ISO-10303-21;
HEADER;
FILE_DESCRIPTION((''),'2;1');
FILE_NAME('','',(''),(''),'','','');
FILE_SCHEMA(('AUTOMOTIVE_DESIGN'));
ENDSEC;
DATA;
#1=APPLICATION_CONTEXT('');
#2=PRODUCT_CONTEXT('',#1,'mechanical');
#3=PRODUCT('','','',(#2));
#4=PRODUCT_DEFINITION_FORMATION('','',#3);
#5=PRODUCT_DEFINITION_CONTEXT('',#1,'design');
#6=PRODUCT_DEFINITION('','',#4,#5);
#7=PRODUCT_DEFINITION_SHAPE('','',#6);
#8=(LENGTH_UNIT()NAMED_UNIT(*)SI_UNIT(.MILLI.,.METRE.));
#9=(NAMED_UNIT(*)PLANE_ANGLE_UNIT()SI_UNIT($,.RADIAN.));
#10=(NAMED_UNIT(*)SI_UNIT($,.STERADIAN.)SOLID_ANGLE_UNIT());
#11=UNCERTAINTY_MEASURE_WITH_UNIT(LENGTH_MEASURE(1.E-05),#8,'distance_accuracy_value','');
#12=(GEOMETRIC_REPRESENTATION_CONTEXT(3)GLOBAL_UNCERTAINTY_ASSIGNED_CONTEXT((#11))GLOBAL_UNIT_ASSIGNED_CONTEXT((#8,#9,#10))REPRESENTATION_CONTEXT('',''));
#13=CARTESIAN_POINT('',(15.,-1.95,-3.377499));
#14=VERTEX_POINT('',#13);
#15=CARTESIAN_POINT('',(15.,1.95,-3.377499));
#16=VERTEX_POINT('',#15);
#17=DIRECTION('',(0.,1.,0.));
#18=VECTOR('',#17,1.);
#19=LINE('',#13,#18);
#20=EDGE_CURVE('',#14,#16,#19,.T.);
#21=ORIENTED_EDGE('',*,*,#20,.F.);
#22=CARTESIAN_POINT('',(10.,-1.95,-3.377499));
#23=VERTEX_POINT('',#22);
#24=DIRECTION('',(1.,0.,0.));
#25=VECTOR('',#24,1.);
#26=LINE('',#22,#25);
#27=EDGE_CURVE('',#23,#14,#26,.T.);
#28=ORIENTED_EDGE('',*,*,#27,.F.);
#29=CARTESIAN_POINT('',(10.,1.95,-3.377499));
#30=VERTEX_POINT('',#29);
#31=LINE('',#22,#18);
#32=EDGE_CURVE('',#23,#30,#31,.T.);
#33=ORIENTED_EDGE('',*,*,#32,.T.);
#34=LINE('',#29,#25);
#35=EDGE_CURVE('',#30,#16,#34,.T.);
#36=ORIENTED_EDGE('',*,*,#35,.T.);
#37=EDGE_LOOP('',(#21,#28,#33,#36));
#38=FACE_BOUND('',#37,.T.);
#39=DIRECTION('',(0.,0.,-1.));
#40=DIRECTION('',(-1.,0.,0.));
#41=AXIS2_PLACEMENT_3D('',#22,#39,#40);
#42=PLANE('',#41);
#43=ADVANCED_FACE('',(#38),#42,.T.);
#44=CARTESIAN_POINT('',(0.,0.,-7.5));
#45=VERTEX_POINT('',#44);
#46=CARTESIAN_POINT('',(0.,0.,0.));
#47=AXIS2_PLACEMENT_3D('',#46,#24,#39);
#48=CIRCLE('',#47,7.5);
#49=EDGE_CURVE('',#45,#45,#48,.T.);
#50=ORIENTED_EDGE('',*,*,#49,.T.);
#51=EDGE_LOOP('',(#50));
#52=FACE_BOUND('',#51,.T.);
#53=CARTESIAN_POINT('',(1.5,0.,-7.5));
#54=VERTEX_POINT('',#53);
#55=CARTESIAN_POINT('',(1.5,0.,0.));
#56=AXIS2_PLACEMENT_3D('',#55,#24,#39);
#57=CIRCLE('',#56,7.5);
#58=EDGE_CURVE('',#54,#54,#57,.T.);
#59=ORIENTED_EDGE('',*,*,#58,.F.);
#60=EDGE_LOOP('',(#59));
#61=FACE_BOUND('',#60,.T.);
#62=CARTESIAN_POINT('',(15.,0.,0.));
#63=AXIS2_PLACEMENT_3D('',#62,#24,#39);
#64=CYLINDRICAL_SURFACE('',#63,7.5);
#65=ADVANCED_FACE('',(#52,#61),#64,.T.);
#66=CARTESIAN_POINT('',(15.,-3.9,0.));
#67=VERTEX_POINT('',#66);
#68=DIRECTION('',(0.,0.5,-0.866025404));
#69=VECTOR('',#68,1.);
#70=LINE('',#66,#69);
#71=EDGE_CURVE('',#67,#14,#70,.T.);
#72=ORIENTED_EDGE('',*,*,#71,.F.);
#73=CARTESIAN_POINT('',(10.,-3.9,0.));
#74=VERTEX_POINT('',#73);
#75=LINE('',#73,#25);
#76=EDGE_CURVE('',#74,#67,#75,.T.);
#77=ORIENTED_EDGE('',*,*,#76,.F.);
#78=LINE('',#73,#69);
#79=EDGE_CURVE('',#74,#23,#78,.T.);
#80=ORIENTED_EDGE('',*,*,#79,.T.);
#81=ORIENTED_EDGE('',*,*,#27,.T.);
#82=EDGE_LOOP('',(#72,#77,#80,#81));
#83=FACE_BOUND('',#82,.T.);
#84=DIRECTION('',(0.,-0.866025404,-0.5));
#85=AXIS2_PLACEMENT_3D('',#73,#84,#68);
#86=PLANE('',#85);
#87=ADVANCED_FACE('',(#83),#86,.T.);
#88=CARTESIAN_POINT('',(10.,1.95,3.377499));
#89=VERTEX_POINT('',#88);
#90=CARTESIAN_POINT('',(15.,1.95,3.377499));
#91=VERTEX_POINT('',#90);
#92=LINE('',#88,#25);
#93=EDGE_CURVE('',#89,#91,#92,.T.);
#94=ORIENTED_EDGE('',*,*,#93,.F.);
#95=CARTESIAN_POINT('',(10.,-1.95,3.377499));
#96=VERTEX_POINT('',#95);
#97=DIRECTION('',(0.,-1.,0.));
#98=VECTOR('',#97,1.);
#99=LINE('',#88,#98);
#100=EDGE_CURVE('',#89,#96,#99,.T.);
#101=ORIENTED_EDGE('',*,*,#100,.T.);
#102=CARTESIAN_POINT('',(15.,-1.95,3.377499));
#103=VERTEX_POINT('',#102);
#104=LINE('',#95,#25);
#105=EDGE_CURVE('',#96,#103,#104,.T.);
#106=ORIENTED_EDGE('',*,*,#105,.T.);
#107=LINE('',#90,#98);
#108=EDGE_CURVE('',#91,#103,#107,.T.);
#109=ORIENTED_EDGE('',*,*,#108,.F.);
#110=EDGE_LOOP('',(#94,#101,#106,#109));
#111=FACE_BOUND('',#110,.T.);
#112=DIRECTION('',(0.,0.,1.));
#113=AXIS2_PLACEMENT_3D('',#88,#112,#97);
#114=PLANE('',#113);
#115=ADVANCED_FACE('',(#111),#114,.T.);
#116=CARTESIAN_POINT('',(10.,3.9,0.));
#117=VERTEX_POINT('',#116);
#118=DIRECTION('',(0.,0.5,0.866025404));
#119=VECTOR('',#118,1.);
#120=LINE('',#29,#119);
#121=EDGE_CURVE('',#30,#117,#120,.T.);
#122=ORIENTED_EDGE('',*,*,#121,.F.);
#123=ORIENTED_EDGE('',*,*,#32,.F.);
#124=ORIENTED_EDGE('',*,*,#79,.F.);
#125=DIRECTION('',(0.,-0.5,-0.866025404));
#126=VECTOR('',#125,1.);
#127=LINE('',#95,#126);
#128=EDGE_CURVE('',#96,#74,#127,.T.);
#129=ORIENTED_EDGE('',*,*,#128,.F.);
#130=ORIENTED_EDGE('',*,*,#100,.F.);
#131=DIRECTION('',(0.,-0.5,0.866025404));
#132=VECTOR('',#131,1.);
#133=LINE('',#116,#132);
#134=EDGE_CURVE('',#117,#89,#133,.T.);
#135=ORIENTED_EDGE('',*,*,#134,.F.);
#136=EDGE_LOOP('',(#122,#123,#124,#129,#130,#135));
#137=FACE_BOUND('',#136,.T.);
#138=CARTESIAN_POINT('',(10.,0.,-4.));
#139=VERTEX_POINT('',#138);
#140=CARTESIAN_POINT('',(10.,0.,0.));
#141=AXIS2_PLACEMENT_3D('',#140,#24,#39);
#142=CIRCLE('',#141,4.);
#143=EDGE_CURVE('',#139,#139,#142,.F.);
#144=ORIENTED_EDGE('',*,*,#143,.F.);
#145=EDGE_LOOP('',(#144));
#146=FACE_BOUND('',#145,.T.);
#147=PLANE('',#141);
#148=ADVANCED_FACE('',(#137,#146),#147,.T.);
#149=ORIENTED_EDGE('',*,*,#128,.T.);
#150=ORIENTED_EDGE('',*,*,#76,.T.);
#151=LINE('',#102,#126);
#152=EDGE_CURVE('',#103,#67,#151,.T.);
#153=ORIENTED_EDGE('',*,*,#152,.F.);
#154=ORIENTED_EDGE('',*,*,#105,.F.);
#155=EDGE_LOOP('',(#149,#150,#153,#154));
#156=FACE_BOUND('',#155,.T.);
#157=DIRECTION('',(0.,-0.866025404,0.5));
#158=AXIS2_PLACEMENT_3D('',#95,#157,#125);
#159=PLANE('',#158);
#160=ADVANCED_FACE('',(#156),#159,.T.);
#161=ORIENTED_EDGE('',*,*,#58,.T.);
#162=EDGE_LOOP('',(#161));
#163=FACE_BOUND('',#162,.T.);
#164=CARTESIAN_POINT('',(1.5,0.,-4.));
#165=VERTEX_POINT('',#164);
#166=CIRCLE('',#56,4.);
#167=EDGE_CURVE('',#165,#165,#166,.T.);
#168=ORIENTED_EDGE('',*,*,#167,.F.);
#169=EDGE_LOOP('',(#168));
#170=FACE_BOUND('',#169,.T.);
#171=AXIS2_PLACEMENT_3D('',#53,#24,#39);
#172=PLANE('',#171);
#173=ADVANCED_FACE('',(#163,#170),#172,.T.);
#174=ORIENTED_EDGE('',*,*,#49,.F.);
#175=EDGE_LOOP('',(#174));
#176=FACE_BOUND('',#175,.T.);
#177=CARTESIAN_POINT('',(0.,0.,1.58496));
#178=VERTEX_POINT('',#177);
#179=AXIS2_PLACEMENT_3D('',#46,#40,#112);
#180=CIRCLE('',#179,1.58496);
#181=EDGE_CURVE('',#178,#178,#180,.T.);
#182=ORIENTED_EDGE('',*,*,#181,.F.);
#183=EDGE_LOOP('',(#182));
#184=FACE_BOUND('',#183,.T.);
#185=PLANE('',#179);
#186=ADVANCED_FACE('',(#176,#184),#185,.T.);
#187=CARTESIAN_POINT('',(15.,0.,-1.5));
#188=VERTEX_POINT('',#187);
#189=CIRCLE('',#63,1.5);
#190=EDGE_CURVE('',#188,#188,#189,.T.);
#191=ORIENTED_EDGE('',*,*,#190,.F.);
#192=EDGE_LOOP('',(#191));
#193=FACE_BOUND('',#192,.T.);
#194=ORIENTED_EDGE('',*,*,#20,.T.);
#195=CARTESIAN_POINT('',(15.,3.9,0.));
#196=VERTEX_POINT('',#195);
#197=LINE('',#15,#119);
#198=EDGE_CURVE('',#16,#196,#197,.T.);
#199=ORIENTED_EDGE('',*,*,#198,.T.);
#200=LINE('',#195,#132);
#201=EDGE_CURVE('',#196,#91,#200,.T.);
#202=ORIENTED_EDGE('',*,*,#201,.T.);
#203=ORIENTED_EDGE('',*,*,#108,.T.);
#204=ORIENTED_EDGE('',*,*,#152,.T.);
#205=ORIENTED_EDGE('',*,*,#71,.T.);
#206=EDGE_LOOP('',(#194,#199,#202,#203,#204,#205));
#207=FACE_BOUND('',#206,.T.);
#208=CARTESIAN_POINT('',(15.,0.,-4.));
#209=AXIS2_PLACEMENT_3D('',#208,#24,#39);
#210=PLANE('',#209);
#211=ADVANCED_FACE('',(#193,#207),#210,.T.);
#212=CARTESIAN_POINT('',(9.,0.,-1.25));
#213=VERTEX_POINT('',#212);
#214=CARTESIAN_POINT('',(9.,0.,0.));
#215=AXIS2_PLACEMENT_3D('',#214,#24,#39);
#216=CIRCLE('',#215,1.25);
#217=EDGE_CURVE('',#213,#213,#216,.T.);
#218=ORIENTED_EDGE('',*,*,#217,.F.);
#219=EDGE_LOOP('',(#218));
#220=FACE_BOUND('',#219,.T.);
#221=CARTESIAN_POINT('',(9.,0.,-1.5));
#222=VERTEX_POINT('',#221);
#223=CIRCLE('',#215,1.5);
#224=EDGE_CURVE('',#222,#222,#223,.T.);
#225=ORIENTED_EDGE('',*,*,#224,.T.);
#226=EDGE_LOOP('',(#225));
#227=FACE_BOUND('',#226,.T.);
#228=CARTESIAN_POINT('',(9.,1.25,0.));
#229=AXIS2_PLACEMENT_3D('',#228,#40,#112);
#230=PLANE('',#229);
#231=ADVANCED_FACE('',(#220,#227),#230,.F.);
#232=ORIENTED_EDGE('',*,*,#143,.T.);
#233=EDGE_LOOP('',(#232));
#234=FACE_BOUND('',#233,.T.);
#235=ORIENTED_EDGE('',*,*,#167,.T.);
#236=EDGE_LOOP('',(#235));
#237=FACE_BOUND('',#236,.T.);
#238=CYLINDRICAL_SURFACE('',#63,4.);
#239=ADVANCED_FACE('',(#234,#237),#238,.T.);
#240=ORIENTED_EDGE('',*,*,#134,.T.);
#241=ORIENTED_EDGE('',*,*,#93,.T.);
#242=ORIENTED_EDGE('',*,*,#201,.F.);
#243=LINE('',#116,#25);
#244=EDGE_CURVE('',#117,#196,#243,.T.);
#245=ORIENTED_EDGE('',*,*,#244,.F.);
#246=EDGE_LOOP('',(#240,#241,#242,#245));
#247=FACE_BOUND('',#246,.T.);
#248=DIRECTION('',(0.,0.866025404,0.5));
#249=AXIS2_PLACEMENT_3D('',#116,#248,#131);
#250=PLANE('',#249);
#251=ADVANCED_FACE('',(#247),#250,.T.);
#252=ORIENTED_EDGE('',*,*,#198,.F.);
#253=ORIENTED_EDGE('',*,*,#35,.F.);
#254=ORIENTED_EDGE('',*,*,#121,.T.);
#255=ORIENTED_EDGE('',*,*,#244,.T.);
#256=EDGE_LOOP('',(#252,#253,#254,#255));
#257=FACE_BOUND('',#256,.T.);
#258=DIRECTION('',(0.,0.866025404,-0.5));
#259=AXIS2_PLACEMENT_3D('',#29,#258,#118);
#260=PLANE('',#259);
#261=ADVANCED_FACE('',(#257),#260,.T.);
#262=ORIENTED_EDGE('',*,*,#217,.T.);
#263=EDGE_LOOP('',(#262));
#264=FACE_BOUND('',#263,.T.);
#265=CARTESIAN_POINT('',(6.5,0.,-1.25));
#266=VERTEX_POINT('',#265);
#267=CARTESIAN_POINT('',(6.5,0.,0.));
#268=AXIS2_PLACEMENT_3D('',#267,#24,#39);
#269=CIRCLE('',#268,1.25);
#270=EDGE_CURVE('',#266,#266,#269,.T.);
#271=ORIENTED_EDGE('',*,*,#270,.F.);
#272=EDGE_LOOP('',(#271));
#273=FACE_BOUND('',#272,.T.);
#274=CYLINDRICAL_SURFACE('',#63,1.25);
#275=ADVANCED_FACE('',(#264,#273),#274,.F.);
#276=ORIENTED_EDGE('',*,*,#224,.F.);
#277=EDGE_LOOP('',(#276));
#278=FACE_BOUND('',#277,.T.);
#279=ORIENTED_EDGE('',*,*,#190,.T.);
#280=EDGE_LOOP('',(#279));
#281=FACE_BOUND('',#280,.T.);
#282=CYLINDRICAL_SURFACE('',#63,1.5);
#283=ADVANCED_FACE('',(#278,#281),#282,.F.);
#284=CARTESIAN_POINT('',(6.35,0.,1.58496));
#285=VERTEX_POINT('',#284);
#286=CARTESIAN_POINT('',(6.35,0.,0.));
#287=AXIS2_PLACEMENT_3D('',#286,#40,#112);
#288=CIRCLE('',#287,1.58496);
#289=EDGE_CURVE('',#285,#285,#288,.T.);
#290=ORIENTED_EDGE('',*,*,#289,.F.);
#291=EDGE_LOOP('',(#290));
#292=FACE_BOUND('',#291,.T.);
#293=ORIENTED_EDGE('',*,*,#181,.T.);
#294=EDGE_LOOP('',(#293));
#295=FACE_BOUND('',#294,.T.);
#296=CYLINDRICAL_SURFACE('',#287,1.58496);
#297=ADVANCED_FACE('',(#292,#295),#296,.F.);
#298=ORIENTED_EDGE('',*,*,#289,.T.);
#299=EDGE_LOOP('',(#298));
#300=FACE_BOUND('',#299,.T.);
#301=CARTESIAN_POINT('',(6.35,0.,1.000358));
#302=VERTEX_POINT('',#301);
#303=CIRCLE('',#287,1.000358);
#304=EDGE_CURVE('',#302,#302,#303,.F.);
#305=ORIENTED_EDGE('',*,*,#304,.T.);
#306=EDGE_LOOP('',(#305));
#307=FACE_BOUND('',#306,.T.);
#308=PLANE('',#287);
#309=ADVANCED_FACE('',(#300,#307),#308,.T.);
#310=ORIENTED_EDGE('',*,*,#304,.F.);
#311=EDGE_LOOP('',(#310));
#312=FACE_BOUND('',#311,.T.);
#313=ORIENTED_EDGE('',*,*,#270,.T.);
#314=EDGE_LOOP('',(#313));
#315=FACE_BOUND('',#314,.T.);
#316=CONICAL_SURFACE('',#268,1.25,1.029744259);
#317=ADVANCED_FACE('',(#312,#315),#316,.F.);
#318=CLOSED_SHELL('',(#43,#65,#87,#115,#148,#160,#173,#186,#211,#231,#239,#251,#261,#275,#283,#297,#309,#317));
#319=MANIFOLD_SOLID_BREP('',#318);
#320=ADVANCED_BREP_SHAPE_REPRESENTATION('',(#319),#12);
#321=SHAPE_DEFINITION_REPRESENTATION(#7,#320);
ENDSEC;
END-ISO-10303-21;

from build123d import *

# Parameters (mm, degrees)
SKETCH2_OUTSIDE_W               = 22.196
SKETCH2_OUTSIDE_H               = 22.196
CUT_EXTRUDE1_DEPTH              = 5
M3X0_5_TAPPED_HOLE4_D           = 2.5
M3X0_5_TAPPED_HOLE4_DEPTH       = 8.5
M3X0_5_TAPPED_HOLE4_CBORE_D     = 3
M3X0_5_TAPPED_HOLE4_CBORE_DEPTH = 6
M3X0_5_TAPPED_HOLE4_TIP         = 0.751075774
SKETCH7_R                       = 1.58496
CUT_EXTRUDE2_DEPTH              = 6.35


with BuildPart() as part:
    # Sketch1 → Revolve1 (revolve)
    with BuildSketch(Plane(origin=(0, 0, 0), x_dir=(1, 0, 0), z_dir=(0, 1, 0))):
        Polygon((1.5, 4), (15, 4), (15, 0), (0, 0), (0, 7.5), (1.5, 7.5), align=None)
    revolve(axis=Axis((15, 0, 0), (-1, 0, 0)))

    # Sketch2 outside → Cut-Extrude1 (cut)
    with BuildSketch(Plane(origin=(15, 0, 0), x_dir=(0, 0, -1), z_dir=(1, 0, 0))):
        Rectangle(SKETCH2_OUTSIDE_W, SKETCH2_OUTSIDE_H)
        Polygon((0, 3.9), (-3.377499075, 1.95), (-3.377499075, -1.95), (0, -3.9), (3.377499075, -1.95), (3.377499075, 1.95), align=None, mode=Mode.SUBTRACT)
    extrude(amount=-CUT_EXTRUDE1_DEPTH, mode=Mode.SUBTRACT)

    # M3x0.5 Tapped Hole4
    with Locations(Plane(origin=(15, 0, 0), x_dir=(0, 0, -1), z_dir=(1, 0, 0))):
        with Locations((0, 0)):
            CounterBoreHole(M3X0_5_TAPPED_HOLE4_D / 2, M3X0_5_TAPPED_HOLE4_CBORE_D / 2, M3X0_5_TAPPED_HOLE4_CBORE_DEPTH, depth=M3X0_5_TAPPED_HOLE4_DEPTH)
            with Locations((0, 0, -(M3X0_5_TAPPED_HOLE4_DEPTH + M3X0_5_TAPPED_HOLE4_TIP / 2))):  # 118° drill point
                Cone(0, M3X0_5_TAPPED_HOLE4_D / 2, M3X0_5_TAPPED_HOLE4_TIP, mode=Mode.SUBTRACT)

    # Sketch7 → Cut-Extrude2 (cut)
    with BuildSketch(Plane.ZY):
        Circle(SKETCH7_R)
    extrude(amount=-CUT_EXTRUDE2_DEPTH, mode=Mode.SUBTRACT)


solid = part.part
